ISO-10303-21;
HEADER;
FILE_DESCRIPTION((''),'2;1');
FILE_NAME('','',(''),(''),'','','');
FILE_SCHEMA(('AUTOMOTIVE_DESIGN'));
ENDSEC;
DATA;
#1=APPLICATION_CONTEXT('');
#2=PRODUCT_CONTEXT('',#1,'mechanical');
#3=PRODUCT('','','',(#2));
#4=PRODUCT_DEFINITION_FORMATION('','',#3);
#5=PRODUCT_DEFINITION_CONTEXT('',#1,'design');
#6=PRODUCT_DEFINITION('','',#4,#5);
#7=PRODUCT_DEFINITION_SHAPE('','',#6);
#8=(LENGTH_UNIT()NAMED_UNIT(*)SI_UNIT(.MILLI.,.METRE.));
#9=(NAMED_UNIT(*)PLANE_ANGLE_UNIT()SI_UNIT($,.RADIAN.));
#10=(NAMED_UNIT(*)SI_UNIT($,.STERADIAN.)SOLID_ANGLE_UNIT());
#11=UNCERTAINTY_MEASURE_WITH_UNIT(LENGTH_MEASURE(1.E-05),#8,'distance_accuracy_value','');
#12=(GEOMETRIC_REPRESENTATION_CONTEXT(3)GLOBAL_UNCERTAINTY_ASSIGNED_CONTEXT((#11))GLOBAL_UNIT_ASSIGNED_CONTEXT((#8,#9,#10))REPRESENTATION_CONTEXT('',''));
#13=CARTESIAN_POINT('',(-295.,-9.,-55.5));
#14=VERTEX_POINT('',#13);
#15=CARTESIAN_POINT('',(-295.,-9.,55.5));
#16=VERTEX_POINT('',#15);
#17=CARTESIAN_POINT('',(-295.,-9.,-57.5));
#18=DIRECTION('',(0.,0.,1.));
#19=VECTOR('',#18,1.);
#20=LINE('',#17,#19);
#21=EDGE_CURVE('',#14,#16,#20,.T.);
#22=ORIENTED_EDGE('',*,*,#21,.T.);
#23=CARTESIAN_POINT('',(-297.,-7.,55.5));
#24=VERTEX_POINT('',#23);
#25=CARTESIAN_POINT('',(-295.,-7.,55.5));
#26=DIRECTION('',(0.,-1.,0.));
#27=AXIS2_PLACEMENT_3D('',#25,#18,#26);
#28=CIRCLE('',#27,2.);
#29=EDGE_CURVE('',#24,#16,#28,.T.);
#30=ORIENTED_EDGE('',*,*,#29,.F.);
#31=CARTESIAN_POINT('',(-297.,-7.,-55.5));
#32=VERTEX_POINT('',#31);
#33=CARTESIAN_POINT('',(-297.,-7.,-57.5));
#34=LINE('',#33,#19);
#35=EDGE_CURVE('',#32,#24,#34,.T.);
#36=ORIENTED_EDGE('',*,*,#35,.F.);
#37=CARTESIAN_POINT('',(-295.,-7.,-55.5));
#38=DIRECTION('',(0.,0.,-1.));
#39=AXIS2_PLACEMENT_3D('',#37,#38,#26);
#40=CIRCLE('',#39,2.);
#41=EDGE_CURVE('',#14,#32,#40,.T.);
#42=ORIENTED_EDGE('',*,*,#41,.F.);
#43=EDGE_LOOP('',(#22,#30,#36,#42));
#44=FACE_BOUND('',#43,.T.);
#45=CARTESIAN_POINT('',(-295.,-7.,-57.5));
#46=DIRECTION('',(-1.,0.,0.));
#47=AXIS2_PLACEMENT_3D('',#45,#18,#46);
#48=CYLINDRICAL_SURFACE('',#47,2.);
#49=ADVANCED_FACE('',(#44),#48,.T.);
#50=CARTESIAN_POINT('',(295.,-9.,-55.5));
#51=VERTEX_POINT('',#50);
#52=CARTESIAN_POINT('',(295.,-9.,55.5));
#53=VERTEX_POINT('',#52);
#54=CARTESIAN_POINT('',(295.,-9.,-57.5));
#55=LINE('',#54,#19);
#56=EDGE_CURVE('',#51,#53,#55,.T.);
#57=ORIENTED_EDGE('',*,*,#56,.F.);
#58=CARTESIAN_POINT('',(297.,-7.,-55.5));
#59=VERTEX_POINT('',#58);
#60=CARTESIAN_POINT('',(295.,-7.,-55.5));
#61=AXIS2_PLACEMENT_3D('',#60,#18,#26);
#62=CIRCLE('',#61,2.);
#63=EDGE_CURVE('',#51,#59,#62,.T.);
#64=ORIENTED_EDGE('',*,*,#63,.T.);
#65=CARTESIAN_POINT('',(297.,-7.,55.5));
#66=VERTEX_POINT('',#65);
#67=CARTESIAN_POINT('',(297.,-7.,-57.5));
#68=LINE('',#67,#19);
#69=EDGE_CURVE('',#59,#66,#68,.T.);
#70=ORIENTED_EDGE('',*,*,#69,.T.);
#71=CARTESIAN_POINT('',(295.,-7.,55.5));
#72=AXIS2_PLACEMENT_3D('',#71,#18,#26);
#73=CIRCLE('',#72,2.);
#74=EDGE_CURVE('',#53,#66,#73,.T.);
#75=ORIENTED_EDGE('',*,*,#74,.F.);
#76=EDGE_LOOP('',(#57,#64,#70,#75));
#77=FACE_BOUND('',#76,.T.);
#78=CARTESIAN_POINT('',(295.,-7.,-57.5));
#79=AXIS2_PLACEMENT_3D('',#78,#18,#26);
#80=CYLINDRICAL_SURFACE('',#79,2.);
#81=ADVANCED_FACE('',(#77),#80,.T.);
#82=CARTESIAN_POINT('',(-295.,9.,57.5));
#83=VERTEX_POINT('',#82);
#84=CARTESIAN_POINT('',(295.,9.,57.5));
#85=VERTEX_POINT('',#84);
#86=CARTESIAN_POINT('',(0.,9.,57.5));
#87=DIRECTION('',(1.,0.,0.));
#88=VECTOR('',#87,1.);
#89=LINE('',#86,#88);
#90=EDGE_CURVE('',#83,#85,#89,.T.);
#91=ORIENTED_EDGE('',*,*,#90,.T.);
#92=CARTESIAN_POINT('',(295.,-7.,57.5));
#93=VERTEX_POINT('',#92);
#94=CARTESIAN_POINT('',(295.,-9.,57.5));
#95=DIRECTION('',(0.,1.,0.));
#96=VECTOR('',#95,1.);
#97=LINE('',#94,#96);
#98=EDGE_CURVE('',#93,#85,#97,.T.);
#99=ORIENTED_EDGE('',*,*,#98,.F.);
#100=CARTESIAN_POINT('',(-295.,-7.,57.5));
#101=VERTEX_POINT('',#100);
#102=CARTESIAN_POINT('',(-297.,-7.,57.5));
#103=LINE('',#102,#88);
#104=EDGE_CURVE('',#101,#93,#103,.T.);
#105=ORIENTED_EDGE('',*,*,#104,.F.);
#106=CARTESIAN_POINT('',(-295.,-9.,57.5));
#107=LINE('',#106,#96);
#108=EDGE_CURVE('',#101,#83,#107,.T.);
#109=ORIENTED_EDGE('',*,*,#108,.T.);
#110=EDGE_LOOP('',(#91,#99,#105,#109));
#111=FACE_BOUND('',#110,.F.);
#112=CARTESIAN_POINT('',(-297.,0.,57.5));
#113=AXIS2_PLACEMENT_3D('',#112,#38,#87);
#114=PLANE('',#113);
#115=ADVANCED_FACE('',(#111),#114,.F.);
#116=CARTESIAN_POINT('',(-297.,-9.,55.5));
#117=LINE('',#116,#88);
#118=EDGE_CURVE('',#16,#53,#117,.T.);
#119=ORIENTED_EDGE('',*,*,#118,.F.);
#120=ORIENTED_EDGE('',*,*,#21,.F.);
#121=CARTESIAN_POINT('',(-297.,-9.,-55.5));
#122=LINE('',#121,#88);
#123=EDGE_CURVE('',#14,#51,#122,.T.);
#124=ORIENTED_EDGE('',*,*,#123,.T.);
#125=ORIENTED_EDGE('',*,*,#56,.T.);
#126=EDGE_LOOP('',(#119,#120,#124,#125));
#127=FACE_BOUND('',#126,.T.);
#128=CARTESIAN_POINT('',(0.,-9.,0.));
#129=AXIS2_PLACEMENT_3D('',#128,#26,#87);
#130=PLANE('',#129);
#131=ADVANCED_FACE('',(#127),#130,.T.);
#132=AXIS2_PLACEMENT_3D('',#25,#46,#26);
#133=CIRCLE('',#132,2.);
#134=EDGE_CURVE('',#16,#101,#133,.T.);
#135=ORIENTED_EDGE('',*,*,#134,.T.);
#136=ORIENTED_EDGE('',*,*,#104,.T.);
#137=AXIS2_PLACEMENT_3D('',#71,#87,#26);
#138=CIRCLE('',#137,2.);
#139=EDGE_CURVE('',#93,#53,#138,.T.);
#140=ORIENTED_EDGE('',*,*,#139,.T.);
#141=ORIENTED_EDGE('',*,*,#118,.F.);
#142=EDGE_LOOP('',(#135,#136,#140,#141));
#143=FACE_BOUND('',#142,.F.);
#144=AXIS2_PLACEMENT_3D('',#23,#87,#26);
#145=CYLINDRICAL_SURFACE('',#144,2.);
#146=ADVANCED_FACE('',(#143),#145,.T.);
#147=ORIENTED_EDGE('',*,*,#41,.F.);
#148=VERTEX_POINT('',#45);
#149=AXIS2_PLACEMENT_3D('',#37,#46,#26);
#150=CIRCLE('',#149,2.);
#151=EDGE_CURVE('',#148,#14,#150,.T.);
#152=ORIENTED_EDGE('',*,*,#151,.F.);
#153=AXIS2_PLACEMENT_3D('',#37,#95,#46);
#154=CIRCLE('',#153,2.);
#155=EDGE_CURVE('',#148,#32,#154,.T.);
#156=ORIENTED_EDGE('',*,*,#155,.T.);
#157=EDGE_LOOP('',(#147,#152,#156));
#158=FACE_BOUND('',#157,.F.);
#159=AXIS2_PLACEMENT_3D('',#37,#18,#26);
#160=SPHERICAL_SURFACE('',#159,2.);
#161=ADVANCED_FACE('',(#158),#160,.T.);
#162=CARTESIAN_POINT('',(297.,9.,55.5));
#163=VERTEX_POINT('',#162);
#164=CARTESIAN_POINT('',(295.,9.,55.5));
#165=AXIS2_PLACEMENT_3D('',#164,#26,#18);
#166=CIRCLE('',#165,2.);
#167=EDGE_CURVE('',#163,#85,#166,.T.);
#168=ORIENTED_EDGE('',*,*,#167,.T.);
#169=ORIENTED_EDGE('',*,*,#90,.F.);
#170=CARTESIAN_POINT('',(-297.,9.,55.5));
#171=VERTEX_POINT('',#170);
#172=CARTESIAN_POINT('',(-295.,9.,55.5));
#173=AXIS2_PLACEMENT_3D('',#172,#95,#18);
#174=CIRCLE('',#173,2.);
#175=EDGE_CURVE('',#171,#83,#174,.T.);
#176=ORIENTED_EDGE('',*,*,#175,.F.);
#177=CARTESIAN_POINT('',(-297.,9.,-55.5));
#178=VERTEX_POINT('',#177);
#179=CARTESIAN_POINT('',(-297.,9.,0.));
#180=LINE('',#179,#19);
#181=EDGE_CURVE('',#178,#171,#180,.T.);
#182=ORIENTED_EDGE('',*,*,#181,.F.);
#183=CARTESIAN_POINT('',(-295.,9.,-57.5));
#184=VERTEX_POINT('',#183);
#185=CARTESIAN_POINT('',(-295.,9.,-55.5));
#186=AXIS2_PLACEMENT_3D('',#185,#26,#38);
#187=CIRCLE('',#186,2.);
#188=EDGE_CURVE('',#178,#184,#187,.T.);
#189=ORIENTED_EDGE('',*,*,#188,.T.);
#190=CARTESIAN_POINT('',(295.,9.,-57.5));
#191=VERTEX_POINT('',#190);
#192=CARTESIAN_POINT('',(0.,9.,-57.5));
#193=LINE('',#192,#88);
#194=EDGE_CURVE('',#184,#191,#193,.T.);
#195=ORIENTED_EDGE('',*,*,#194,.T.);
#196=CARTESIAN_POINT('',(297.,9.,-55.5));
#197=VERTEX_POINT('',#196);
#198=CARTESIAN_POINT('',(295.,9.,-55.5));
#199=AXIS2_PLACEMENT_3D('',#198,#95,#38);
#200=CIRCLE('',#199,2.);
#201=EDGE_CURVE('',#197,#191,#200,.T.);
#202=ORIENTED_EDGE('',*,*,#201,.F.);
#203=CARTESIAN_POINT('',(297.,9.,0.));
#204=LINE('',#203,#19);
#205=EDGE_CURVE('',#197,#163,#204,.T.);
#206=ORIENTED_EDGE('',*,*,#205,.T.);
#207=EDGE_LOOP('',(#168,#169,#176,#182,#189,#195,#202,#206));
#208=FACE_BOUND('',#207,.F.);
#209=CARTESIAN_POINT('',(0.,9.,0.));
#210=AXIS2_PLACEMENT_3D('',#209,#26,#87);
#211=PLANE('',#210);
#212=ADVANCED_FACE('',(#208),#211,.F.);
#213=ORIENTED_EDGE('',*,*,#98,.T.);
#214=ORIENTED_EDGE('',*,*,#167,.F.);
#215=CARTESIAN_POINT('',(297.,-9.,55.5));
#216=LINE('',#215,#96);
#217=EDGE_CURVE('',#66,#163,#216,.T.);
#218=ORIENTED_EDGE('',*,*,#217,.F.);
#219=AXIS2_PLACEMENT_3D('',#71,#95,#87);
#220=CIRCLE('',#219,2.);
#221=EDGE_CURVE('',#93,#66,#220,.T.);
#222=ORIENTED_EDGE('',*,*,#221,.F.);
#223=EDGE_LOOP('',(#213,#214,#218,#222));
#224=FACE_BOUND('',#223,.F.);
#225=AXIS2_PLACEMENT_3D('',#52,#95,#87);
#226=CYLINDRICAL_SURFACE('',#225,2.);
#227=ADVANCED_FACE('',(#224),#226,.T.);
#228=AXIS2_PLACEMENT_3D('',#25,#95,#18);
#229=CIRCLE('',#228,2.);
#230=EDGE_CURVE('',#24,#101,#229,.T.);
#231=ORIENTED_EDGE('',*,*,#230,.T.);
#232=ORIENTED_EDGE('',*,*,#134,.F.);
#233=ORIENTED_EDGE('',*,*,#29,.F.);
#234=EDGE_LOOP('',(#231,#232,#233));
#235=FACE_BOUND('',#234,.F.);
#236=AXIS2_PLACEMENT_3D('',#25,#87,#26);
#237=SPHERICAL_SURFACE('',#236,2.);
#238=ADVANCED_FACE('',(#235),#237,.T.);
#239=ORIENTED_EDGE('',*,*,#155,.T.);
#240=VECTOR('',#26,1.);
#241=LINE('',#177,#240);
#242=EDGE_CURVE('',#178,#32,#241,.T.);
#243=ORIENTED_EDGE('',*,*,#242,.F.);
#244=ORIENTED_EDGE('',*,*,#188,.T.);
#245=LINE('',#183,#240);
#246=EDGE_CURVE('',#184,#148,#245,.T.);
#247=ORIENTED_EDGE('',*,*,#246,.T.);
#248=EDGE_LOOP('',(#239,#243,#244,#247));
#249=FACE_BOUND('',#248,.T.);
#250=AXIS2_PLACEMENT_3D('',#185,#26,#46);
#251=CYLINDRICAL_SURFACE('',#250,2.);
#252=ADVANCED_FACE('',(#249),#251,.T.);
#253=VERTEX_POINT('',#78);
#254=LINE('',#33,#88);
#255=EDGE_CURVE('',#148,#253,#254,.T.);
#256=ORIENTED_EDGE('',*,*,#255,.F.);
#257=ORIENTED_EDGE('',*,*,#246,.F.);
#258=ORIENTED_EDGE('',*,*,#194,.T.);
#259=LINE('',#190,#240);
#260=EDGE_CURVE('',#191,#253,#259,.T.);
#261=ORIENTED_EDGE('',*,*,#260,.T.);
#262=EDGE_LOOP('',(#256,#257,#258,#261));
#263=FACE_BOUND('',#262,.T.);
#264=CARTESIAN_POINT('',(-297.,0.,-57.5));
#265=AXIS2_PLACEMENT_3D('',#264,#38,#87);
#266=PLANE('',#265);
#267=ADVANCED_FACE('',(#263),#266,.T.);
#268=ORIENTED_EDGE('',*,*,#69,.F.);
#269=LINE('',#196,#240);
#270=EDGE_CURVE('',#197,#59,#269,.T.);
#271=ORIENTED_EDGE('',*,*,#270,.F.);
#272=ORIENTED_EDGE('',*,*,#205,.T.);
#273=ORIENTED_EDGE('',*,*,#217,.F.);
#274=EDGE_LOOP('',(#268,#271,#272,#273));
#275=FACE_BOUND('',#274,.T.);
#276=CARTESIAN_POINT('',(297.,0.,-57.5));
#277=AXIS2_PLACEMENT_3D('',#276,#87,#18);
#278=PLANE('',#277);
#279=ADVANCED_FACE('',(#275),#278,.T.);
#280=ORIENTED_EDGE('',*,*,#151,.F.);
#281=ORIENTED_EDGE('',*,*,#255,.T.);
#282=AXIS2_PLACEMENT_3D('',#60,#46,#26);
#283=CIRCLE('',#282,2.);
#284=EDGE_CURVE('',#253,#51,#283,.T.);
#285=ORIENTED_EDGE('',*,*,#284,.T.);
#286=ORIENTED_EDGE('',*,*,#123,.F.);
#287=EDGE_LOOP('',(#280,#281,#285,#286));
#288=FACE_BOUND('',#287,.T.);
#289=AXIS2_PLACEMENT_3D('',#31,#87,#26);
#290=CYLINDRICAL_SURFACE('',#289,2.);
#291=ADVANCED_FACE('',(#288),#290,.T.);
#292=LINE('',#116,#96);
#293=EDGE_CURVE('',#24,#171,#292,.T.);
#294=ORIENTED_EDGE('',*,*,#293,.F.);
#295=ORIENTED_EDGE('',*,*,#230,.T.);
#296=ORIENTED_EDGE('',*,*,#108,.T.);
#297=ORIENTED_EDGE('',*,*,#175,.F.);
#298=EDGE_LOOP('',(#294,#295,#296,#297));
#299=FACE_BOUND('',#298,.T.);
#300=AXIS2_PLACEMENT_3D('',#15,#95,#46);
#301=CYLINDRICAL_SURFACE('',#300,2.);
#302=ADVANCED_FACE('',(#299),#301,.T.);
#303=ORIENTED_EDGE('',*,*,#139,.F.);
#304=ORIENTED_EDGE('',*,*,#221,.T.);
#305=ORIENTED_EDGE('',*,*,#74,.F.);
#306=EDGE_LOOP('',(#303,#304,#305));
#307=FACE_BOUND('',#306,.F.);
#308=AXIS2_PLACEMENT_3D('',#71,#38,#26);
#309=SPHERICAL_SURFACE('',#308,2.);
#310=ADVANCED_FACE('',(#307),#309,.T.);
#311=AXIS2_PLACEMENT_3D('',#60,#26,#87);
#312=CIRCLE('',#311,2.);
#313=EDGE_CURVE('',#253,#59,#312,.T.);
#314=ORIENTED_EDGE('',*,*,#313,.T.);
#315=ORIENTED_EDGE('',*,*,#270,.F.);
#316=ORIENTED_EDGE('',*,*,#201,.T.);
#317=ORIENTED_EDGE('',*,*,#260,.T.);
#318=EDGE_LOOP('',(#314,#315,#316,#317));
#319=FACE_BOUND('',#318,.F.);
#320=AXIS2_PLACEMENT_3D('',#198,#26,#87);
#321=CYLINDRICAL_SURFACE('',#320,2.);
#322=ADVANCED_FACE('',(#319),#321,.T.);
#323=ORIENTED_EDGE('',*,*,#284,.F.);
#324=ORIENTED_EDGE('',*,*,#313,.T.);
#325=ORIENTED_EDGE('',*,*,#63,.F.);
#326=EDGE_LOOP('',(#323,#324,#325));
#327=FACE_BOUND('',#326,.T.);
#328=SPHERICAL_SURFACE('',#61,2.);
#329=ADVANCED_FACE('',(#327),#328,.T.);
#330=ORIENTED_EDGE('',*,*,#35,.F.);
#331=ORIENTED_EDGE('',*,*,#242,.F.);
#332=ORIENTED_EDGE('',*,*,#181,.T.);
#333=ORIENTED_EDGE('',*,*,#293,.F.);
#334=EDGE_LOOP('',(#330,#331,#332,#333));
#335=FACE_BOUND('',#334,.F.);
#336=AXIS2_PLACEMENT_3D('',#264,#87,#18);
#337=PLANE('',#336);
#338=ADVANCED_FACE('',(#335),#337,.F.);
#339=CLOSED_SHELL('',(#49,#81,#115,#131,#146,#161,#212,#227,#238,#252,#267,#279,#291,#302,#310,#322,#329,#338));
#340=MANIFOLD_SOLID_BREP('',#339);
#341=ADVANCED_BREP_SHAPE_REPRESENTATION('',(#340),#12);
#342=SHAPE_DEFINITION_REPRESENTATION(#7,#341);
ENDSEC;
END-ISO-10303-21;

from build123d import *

# Parameters (mm, degrees)
F0_W     = 594
F0_H     = 115
F1_DEPTH = 9
F2_R     = 2


with BuildPart() as f1:
    # F0 (on Front) → F1 (new body, symmetric)
    with BuildSketch(Plane.XZ):
        Rectangle(F0_W, F0_H)
    extrude(amount=F1_DEPTH, both=True)

    # F2
    f2_edges = [f1.edges().sort_by_distance(p)[0] for p in [
        (297, -9, 0),
        (0, -9, 57.5),
        (-297, -9, 0),
        (0, -9, -57.5),
        (-297, 0, 57.5),
        (-297, 0, -57.5),
        (297, 0, 57.5),
        (297, 0, -57.5),
    ]]
    fillet(f2_edges, radius=F2_R)


solid = f1.part
